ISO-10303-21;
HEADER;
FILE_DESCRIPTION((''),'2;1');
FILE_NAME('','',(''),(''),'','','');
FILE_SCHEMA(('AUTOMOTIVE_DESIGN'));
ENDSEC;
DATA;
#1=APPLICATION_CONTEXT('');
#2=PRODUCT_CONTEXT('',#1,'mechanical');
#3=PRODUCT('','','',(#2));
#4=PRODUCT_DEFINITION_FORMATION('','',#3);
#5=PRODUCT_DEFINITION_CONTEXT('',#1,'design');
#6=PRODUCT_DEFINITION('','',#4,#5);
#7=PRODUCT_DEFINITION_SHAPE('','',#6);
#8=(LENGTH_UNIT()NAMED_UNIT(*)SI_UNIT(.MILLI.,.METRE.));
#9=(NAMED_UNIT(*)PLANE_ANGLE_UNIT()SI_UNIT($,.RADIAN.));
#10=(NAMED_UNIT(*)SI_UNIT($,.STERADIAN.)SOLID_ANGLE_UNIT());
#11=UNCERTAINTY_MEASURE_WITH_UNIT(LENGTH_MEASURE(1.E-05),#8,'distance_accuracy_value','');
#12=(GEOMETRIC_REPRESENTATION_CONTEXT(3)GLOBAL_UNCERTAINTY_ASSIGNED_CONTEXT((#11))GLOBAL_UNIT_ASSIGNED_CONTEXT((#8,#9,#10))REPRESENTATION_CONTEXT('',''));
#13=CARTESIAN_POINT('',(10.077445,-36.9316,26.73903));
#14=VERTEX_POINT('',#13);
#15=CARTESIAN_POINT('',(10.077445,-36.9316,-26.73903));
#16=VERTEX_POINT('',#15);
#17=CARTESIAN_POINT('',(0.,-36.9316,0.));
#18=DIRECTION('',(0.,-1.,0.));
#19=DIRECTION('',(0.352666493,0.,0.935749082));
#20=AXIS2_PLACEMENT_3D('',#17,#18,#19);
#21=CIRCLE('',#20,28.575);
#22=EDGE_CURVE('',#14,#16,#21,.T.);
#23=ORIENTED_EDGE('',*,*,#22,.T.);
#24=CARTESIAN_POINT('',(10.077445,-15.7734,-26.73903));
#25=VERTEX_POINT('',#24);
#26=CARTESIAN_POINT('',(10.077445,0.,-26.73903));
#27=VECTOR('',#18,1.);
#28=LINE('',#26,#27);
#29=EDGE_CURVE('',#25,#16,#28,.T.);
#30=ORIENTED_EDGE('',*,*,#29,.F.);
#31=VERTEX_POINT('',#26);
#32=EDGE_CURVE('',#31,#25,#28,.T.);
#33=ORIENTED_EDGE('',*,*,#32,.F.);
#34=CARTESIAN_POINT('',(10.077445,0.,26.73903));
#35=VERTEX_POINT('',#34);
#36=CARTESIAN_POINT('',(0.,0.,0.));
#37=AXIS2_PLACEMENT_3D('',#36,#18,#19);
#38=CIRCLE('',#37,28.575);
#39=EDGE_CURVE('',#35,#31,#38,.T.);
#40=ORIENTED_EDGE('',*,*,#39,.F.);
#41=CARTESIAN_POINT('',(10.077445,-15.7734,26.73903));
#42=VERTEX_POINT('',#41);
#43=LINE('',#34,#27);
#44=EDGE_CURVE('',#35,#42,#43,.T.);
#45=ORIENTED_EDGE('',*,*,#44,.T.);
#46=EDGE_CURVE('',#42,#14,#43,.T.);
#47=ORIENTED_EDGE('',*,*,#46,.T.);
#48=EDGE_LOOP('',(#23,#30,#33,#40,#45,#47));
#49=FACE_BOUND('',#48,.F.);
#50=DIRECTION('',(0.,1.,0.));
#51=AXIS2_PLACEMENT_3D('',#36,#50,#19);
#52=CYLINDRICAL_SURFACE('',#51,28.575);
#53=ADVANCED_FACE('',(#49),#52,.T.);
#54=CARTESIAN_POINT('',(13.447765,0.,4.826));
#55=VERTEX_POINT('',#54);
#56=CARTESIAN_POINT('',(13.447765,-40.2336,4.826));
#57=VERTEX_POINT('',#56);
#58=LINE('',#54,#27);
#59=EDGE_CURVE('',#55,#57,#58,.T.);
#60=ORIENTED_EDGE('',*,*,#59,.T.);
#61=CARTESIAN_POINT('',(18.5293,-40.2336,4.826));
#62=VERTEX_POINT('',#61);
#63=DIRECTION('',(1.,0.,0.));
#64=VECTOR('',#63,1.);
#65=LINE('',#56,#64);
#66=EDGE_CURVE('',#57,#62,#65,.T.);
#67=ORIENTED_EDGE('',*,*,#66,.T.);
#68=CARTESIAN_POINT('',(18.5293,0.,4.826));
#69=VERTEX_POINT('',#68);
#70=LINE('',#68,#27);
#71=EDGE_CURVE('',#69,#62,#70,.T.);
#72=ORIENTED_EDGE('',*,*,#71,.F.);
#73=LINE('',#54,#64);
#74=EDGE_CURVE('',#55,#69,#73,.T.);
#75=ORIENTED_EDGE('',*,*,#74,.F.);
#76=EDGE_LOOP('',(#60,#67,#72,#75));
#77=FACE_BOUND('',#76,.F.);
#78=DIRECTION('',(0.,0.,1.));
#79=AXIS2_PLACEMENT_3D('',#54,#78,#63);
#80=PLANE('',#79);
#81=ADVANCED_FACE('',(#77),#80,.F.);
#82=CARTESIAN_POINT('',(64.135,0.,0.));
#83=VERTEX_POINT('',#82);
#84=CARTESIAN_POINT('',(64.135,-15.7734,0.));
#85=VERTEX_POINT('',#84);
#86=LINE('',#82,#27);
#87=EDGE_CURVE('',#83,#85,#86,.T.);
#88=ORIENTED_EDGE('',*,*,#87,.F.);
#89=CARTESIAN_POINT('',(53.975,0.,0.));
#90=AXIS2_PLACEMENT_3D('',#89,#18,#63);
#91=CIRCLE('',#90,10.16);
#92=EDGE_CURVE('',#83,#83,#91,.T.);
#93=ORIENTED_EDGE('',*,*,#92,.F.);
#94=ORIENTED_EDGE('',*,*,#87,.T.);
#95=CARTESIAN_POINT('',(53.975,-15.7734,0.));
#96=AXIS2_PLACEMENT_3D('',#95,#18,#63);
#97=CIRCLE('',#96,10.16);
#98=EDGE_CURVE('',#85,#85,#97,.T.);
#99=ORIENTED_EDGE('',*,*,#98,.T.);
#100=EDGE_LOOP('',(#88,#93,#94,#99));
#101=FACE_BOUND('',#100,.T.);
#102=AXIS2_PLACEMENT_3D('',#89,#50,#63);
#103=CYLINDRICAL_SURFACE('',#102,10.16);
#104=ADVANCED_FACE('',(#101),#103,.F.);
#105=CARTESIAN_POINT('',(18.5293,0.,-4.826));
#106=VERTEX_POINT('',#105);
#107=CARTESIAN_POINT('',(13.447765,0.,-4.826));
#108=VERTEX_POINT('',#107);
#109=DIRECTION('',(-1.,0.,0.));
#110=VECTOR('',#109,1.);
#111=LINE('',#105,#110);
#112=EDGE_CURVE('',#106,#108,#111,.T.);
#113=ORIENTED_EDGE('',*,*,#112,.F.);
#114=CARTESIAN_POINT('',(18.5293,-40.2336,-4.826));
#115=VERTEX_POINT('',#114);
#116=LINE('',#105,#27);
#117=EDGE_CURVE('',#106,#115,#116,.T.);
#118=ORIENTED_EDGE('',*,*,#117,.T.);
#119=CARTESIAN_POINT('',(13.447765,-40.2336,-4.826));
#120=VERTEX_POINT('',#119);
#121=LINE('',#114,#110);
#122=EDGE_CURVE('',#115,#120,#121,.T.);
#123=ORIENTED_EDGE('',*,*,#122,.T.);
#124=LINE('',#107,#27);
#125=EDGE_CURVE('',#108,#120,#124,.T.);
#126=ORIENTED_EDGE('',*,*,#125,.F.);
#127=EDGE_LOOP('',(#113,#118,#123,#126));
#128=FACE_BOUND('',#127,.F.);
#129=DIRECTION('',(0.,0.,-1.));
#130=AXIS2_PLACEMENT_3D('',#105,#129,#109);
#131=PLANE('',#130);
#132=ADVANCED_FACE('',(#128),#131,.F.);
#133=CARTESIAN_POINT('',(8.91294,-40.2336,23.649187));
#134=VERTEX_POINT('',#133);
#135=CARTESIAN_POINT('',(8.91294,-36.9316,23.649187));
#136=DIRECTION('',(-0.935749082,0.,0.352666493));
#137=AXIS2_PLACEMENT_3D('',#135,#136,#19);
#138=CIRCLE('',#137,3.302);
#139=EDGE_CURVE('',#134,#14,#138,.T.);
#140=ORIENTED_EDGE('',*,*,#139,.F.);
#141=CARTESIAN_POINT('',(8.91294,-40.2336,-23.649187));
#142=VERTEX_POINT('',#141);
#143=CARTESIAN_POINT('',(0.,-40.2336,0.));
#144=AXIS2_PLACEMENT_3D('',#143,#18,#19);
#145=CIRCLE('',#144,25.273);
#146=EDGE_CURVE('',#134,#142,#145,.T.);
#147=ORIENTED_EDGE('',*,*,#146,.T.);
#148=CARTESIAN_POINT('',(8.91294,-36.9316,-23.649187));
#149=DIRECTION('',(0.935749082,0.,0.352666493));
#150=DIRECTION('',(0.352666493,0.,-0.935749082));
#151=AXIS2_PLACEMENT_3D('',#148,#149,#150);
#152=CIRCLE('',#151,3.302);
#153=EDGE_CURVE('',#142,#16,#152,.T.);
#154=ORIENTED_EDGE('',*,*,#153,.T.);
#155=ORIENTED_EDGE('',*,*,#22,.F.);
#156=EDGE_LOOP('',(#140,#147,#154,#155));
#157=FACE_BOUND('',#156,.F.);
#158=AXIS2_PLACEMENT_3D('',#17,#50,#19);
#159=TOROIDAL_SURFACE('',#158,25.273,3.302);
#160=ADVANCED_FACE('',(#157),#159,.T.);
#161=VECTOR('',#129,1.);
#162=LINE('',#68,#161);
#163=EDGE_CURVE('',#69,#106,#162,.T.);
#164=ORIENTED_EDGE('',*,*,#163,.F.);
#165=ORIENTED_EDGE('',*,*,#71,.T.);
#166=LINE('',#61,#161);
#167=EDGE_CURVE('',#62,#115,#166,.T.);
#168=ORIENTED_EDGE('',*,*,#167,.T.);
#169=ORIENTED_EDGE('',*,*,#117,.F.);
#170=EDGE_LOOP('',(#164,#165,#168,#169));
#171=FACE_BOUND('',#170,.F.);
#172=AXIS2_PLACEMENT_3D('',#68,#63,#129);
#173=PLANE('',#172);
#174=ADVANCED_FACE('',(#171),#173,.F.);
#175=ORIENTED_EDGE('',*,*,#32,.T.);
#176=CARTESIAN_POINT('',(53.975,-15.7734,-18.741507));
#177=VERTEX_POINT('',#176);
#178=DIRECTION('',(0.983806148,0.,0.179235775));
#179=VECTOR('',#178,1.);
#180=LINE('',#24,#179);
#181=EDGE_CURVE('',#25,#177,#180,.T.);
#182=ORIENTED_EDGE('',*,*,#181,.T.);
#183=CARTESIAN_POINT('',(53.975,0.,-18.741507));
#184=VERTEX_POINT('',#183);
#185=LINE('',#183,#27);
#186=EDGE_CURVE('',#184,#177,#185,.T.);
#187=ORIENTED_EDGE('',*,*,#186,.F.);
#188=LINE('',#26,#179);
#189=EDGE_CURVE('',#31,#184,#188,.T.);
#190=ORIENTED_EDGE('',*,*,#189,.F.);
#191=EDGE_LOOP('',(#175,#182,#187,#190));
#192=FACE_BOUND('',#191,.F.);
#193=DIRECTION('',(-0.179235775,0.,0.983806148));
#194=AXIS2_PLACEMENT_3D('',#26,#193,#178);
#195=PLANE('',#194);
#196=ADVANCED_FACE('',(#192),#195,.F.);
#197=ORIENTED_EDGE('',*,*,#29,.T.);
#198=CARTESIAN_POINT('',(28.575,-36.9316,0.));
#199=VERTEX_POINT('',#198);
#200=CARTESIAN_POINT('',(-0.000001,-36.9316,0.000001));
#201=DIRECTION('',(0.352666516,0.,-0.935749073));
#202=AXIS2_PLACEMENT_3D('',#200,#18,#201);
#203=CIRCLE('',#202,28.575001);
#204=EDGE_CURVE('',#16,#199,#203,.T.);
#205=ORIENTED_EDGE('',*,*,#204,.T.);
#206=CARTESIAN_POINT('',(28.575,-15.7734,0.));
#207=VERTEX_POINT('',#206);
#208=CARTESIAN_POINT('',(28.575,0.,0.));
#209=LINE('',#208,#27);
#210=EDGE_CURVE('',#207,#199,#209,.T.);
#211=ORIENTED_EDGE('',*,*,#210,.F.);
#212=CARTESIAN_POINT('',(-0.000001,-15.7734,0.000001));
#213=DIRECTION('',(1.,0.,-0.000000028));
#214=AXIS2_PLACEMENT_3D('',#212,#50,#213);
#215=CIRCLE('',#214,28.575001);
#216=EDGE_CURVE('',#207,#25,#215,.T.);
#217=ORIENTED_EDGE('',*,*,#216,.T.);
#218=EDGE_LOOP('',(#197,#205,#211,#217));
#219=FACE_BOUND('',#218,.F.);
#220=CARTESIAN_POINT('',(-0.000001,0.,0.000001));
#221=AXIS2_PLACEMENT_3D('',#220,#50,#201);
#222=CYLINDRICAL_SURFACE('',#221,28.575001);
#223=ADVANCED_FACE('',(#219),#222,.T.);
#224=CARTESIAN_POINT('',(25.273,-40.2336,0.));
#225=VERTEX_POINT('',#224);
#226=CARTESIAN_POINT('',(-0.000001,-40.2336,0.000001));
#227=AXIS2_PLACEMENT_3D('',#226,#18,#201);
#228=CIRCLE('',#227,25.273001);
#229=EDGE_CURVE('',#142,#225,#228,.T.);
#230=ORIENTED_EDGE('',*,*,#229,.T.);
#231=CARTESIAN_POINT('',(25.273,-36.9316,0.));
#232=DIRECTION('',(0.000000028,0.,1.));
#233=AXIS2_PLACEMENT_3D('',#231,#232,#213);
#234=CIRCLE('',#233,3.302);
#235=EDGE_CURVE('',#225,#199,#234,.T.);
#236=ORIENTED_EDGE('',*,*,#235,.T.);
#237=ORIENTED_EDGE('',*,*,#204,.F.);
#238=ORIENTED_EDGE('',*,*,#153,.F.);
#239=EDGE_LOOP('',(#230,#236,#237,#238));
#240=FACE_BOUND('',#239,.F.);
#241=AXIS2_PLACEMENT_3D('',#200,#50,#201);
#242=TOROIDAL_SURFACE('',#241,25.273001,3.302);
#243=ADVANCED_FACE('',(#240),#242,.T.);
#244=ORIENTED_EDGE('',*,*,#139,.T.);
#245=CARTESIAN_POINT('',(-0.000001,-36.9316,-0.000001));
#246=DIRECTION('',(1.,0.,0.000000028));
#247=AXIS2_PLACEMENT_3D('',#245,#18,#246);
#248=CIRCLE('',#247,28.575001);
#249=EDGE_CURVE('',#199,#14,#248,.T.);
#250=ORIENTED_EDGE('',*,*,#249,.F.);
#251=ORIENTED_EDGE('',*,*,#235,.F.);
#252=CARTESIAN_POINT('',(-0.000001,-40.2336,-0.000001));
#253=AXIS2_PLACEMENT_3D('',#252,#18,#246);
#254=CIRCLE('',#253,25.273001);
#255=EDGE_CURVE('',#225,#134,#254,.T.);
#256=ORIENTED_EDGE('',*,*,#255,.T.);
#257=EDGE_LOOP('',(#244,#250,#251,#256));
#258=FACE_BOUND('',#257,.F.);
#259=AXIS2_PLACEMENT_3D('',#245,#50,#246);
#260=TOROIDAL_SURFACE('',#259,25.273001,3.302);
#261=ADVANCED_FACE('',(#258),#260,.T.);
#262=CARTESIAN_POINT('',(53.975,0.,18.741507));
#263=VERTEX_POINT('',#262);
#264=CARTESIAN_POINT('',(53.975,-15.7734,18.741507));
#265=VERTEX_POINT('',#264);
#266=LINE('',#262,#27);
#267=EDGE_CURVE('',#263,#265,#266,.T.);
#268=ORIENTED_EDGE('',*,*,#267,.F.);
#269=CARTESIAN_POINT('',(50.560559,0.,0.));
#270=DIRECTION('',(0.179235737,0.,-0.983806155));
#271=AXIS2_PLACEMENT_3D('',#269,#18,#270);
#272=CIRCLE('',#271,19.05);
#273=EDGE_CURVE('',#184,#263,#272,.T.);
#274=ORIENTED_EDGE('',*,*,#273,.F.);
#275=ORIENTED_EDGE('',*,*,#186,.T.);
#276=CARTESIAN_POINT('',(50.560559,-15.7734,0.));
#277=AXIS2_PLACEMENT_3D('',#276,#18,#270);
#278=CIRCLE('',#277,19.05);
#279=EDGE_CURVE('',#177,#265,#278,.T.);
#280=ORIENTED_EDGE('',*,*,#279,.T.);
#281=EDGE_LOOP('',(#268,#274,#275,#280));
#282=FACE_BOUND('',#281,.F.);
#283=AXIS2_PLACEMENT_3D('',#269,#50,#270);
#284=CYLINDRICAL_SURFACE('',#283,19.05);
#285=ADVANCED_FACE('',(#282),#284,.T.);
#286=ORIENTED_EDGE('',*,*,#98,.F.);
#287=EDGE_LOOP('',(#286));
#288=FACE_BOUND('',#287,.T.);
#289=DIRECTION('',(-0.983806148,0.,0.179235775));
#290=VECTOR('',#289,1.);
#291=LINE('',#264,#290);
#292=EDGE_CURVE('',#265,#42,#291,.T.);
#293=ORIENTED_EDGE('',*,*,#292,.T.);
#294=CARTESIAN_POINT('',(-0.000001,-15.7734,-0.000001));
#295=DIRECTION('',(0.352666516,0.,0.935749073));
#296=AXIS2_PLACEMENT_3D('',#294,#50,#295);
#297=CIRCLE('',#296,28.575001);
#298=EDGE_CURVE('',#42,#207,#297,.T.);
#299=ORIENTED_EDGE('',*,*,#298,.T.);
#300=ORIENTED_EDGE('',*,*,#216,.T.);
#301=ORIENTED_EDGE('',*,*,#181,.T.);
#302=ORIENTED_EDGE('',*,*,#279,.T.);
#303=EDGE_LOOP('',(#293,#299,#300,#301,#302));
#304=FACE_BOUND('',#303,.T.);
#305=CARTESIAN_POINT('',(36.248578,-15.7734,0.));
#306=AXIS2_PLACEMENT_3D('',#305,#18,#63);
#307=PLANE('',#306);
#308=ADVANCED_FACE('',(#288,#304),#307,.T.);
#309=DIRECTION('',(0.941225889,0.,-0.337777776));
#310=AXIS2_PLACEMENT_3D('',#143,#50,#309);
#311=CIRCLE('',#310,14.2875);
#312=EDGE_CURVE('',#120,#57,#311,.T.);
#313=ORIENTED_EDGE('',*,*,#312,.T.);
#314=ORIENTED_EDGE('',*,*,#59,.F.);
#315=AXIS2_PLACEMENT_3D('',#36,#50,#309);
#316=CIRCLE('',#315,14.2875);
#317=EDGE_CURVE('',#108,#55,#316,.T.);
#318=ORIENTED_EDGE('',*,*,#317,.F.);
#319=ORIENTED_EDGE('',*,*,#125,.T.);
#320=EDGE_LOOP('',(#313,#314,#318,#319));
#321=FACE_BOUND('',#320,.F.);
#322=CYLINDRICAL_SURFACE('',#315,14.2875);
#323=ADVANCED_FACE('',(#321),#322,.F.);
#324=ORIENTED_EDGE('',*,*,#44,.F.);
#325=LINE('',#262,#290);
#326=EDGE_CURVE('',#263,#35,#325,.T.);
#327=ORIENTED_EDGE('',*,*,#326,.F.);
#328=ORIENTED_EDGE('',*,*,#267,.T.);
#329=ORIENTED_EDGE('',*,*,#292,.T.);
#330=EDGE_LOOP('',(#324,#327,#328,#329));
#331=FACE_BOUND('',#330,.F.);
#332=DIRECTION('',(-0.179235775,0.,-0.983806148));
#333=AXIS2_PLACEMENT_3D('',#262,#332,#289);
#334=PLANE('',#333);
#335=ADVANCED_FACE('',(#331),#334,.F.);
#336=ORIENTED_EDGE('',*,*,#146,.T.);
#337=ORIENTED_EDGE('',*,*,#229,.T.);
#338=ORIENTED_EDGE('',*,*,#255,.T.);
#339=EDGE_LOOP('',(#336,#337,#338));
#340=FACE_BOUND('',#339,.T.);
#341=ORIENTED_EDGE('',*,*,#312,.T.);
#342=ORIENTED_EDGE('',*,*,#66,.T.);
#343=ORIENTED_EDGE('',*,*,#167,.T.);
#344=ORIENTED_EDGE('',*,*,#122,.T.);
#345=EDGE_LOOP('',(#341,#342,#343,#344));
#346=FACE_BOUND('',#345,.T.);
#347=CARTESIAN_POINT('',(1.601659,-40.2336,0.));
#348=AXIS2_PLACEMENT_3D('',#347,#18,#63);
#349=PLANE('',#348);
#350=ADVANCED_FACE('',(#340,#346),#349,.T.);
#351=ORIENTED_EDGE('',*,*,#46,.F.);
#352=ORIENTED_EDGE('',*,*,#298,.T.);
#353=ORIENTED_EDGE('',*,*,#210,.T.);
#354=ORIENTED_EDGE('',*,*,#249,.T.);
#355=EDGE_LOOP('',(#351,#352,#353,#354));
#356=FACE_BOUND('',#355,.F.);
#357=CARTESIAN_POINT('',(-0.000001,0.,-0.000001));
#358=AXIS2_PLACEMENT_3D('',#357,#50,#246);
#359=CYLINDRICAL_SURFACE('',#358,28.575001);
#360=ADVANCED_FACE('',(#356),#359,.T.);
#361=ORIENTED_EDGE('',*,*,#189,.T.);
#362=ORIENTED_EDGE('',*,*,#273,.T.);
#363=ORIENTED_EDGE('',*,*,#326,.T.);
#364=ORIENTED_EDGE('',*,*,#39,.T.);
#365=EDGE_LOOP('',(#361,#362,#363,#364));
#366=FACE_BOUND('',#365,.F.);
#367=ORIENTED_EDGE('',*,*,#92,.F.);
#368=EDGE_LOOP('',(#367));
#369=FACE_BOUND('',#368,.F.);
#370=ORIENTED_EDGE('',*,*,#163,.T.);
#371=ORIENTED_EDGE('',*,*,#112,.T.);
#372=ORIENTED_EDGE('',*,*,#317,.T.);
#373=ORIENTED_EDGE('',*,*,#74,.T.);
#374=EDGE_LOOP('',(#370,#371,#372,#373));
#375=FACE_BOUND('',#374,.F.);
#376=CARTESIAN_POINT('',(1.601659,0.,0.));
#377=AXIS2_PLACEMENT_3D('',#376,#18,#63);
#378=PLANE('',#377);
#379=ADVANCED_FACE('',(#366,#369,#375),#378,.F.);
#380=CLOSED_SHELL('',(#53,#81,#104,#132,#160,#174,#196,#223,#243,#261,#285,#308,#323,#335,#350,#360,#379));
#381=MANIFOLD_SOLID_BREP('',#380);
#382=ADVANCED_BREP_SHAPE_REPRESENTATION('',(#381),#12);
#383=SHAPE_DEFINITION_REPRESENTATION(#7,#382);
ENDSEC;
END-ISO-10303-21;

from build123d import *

# Parameters (mm, degrees)
F0_R     = 10.16
F1_DEPTH = 15.7734
F2_DEPTH = 40.2336
F3_R     = 3.302


with BuildPart() as f1:
    # F0 (on Front) → F1 (new body)
    with BuildSketch(Plane.XZ):
        with BuildLine():
            ThreePointArc((10.077445, 26.73903), (23.499932, 16.256808), (28.575, 0))
            ThreePointArc((28.575, 0), (23.499932, -16.256808), (10.077445, -26.73903))
            Line((10.077445, -26.73903), (53.975, -18.741507))
            ThreePointArc((53.975, -18.741507), (69.610559, 0), (53.975, 18.741507))
            Line((53.975, 18.741507), (10.077445, 26.73903))
        make_face()
        with Locations((53.975, 0)):
            Circle(F0_R, mode=Mode.SUBTRACT)
    extrude(amount=F1_DEPTH)

    # F0 (on Front) → F2 (join)
    with BuildSketch(Plane.XZ):
        with BuildLine():
            ThreePointArc((10.077445, -26.73903), (23.499932, -16.256808), (28.575, 0))
            ThreePointArc((28.575, 0), (23.499932, 16.256808), (10.077445, 26.73903))
            ThreePointArc((10.077445, 26.73903), (-28.575, 0), (10.077445, -26.73903))
        make_face()
        with BuildLine():
            ThreePointArc((13.447765, -4.826), (-14.2875, 0), (13.447765, 4.826))
            Line((13.447765, 4.826), (18.5293, 4.826))
            Line((18.5293, 4.826), (18.5293, -4.826))
            Line((18.5293, -4.826), (13.447765, -4.826))
        make_face(mode=Mode.SUBTRACT)
    extrude(amount=F2_DEPTH)

    # F3
    f3_edges = [f1.edges().sort_by_distance(p)[0] for p in [
        (-10.077445, -40.2336, 26.73903),
    ]]
    fillet(f3_edges, radius=F3_R)


solid = f1.part
